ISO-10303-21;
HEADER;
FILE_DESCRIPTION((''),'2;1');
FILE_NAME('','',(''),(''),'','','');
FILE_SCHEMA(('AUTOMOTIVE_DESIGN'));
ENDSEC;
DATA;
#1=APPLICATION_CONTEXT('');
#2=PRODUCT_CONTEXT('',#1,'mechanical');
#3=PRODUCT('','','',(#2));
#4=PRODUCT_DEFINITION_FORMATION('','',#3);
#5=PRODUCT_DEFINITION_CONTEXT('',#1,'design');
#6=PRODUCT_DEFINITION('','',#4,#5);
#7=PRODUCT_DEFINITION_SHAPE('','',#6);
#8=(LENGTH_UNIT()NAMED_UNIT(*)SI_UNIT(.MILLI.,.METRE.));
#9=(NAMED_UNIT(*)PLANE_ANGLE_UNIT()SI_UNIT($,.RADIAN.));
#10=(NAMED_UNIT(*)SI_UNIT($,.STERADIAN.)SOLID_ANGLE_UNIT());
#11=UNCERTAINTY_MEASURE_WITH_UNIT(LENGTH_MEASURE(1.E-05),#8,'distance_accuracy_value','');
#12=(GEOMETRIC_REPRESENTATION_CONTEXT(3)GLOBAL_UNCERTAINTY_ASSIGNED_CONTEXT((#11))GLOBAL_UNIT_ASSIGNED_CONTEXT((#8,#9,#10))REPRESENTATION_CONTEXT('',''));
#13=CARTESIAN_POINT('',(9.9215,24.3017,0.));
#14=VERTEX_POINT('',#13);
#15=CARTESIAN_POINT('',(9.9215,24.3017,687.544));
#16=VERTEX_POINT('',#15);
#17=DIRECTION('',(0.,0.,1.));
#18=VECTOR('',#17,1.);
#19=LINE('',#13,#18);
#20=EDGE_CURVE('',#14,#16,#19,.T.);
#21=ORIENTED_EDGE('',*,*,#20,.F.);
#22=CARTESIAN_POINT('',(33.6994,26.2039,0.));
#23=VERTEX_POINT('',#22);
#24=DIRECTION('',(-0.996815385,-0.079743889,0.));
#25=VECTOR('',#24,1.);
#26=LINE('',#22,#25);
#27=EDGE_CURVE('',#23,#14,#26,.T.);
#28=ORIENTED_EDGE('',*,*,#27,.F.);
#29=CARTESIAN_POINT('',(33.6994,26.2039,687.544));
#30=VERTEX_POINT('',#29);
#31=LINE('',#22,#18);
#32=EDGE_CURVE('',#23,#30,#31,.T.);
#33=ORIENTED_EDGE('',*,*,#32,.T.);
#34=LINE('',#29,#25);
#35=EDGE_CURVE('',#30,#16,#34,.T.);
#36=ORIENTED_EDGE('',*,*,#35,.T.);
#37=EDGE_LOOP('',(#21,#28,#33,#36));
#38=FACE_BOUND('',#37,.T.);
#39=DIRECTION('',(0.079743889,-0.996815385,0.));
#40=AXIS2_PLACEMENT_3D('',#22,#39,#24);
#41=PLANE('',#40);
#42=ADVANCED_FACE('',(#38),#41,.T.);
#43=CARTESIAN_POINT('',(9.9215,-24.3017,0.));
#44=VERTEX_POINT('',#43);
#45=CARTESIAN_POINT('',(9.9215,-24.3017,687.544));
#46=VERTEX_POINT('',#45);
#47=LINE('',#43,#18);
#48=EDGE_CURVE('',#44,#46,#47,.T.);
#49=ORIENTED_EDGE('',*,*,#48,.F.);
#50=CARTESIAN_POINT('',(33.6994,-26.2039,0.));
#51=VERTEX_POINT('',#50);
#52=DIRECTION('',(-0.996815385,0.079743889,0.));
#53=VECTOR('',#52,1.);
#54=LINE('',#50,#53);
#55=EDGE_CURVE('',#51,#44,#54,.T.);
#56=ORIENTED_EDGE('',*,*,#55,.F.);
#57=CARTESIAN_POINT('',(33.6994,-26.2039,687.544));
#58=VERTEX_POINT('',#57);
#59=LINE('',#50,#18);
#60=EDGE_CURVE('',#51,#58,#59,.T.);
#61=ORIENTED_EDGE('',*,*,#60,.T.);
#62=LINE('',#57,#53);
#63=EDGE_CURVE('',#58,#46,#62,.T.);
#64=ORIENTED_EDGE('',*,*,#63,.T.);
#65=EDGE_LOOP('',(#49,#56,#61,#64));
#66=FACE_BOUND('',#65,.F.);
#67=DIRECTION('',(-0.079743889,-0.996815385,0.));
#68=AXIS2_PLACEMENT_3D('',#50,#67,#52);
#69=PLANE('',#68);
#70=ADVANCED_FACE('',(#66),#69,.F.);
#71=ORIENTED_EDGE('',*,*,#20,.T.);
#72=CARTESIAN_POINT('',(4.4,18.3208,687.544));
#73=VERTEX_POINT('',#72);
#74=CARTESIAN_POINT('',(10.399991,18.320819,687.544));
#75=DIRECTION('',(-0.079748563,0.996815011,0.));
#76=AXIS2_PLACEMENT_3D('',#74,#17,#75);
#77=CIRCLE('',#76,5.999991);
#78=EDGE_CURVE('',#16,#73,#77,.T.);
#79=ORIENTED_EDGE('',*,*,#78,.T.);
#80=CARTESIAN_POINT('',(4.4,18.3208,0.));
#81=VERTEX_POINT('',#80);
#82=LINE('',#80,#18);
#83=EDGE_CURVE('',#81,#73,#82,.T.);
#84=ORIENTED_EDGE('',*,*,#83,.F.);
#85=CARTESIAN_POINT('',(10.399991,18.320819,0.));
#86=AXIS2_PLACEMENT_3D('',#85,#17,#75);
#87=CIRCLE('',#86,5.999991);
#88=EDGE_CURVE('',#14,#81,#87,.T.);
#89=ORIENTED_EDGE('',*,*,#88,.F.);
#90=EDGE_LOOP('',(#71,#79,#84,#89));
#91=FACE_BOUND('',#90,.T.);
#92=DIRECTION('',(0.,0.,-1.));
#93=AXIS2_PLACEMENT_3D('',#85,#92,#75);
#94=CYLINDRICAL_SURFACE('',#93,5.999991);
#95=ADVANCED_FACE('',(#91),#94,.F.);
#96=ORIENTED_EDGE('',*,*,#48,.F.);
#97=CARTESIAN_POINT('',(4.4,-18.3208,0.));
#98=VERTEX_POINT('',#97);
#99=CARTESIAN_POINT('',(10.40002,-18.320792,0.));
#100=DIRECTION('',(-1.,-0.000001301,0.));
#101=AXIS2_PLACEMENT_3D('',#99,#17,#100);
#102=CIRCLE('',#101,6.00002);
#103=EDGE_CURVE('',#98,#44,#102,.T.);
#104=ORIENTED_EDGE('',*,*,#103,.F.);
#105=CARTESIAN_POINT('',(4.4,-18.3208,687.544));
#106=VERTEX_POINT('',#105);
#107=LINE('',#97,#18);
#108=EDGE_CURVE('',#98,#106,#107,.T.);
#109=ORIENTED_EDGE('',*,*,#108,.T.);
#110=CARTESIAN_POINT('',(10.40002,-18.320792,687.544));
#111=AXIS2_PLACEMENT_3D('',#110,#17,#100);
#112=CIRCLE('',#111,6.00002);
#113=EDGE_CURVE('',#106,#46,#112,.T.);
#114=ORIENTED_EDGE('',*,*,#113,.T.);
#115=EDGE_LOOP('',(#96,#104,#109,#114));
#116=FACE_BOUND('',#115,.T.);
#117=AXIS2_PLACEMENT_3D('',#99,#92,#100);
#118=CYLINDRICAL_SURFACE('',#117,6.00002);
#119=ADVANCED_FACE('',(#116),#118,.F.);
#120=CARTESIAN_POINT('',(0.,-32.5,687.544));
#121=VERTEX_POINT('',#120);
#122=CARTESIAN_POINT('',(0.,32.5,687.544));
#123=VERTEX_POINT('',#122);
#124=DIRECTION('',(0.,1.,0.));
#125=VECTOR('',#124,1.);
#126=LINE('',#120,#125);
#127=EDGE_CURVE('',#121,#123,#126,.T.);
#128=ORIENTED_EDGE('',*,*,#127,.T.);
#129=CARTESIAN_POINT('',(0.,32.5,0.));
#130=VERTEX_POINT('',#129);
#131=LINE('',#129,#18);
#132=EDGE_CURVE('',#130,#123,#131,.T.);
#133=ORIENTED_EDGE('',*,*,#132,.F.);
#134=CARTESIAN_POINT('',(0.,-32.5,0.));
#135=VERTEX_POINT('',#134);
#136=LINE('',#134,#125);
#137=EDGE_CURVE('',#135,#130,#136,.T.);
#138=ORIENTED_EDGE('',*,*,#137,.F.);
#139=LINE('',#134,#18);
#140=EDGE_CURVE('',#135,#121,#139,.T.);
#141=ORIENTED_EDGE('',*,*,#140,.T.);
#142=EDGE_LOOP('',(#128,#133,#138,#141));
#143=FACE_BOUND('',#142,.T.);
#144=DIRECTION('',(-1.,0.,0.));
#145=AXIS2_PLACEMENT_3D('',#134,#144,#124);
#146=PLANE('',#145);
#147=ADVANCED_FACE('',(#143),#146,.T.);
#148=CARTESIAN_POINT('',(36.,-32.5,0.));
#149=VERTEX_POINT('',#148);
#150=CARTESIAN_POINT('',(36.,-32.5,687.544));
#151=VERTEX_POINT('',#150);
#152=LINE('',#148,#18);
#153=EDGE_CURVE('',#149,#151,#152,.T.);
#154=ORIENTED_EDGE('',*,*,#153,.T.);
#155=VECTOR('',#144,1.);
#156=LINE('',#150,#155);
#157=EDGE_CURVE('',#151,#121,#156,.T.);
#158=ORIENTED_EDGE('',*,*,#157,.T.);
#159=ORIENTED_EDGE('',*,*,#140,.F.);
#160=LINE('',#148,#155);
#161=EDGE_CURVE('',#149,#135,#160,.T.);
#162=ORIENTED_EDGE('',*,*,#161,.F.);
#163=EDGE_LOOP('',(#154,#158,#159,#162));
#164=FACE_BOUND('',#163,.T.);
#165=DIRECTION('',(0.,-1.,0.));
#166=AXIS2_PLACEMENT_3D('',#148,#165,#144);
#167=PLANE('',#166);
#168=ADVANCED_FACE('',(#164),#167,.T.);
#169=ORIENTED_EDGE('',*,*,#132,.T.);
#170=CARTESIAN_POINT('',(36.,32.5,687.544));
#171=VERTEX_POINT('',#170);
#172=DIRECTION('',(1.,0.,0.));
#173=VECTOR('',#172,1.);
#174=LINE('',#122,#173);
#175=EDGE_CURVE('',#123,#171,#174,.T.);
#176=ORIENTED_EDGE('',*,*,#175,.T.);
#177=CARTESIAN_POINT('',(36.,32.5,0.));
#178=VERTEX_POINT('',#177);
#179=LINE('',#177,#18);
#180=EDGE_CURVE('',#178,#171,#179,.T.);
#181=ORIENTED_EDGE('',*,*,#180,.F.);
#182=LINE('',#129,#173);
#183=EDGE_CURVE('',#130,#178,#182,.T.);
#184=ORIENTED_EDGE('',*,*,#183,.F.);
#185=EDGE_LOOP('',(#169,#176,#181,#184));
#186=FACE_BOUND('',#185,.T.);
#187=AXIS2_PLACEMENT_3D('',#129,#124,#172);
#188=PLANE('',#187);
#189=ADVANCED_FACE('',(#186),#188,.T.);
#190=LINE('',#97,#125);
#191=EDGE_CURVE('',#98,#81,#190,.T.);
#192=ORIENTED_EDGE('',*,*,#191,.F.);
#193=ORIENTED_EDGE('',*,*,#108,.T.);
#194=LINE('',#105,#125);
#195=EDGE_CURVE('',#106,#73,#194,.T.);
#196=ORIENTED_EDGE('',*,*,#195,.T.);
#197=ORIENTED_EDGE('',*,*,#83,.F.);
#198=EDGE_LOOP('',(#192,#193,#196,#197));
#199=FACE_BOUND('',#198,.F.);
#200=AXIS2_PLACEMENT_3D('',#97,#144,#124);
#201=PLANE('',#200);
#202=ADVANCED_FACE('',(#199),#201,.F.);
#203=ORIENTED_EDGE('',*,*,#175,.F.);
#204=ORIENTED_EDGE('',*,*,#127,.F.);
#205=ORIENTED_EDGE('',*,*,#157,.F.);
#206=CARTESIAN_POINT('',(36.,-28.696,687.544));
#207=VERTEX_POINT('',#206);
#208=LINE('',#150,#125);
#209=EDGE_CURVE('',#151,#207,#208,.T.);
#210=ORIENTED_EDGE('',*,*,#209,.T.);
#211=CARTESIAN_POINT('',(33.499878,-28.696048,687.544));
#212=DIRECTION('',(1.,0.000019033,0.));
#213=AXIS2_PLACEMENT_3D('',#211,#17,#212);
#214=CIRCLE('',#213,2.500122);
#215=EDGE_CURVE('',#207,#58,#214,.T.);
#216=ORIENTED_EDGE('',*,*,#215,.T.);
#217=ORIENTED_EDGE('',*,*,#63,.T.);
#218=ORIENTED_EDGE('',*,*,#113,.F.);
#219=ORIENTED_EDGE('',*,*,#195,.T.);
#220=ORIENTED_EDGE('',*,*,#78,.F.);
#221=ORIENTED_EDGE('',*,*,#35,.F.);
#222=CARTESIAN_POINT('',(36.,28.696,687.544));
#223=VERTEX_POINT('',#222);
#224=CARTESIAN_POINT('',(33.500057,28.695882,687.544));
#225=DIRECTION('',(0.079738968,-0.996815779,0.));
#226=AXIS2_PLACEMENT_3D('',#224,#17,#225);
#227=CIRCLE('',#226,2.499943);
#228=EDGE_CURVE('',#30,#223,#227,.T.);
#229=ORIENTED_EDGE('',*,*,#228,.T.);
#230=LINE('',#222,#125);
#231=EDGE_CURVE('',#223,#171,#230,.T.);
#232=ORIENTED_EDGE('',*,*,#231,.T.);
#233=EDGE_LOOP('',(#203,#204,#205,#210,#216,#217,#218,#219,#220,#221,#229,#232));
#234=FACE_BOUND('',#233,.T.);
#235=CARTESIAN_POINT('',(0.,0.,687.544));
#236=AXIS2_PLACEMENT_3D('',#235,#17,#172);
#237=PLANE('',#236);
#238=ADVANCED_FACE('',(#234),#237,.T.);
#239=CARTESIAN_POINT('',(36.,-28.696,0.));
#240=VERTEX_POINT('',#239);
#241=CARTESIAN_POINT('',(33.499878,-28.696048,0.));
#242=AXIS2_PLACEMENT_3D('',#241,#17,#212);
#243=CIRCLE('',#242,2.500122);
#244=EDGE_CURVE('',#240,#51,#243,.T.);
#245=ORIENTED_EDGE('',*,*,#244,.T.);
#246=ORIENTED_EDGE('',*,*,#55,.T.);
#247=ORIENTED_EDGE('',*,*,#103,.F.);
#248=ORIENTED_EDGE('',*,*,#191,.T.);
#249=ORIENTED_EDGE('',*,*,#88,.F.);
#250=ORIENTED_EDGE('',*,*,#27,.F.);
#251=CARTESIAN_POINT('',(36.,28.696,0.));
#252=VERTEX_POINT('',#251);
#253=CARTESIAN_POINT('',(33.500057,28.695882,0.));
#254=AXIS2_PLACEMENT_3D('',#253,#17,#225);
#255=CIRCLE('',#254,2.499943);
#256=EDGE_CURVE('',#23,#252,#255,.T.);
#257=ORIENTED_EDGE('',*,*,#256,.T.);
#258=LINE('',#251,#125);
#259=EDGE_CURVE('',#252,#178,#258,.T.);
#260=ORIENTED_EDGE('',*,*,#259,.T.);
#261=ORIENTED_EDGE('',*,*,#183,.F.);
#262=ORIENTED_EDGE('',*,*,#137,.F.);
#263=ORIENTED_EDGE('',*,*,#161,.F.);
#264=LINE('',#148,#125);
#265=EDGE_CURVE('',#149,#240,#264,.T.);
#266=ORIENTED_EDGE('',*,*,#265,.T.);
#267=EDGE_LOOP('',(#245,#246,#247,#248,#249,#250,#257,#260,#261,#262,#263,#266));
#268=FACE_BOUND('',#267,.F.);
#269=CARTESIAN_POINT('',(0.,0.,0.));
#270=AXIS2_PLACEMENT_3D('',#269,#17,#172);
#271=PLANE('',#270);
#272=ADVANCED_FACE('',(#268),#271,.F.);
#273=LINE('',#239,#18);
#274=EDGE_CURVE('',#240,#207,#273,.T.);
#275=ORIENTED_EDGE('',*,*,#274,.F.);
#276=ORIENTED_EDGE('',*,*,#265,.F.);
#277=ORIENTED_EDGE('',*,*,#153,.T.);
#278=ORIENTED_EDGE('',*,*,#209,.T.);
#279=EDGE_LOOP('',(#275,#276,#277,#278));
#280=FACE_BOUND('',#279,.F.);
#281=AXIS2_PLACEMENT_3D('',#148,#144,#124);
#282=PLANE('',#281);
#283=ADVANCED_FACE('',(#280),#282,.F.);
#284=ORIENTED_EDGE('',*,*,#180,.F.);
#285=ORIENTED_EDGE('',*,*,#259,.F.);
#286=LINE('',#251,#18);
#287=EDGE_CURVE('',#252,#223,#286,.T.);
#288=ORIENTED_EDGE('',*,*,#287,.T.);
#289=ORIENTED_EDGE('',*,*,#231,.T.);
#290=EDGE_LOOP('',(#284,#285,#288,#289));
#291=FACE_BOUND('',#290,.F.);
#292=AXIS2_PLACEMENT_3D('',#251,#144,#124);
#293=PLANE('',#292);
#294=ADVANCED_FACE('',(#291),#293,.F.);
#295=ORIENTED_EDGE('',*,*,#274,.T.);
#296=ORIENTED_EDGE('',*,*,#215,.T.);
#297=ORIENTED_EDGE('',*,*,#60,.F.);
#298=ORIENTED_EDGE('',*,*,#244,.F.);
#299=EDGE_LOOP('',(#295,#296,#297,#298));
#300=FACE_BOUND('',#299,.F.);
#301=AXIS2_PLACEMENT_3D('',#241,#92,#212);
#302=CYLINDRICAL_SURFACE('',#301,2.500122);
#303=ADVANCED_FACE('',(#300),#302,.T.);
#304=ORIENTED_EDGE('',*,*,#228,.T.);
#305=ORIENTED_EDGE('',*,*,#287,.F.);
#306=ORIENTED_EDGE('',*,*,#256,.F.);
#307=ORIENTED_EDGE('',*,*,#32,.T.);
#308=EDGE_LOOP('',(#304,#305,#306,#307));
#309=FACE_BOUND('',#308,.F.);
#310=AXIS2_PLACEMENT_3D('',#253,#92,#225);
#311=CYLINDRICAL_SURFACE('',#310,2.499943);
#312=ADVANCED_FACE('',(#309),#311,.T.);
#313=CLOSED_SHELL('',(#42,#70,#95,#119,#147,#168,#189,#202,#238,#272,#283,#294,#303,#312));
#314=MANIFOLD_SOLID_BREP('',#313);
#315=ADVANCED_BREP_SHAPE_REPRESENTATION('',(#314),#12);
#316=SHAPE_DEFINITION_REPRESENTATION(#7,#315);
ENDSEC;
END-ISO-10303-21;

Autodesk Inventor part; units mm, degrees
ref_plane "YZ Plane" through (0, 0, 0) normal (1, 0, 0) x (0, 1, 0)
ref_plane "Начальная плоскость" through (0, 0, 0) normal (0, 0, 1) x (1, 0, 0)
ref_plane "Конечная плоскость" through (0, 0, 687.544) normal (0, 0, 1) x (1, 0, 0)
sketch "Эскиз" plane through (0, 0, 0) normal (0, 0, 1) x (1, 0, 0)
  line L0 (36, -32.5) -> (0, -32.5)
  line L1 (36, -32.5) -> (36, -28.696)
  line L2 (33.6994, -26.2039) -> (9.9215, -24.3017)
  line L3 (4.4, -18.3208) -> (4.4, 18.3208)
  line L4 (33.6994, 26.2039) -> (9.9215, 24.3017)
  line L5 (36, 28.696) -> (36, 32.5)
  line L6 (0, 32.5) -> (36, 32.5)
  line L7 (0, -32.5) -> (0, 32.5)
  arc A0 (4.4, -18.3208) -> (9.9215, -24.3017) centre (10.4, -18.3208) ccw
  arc A1 (9.9215, 24.3017) -> (4.4, 18.3208) centre (10.4, 18.3208) ccw
  arc A2 (36, -28.696) -> (33.6994, -26.2039) centre (33.5, -28.696) ccw
  arc A3 (33.6994, 26.2039) -> (36, 28.696) centre (33.5, 28.696) ccw
  line L8 (0, 45.5) -> (0, -45.5) construction
  line L9 (-7.2974, 0) -> (43.7847, 0) construction
  point P0 (36, -26.388)
  point P1 (4.4, -23.86)
  point P2 (4.4, 23.86)
  point P3 (36, 26.388)
  dimension "d3" = 36
  dimension "d5" = 4.4
  dimension "d7" = 65
  dimension "d9" = 8.64
  dimension "d11" = 8.64
  dimension "d13" = 6.112
  dimension "d15" = 6.112
  dimension "d22" = 6
  dimension "d23" = 2.5
  dimension "d24" = 32.5
  dimension "d25" = 0
extrude "Тело" add sketch "Эскиз" along normal up to surface (687.544 mm away) from surface at 0
sketch "Sketch3" plane through (0, 0, 0) normal (0, 0, 1) x (1, 0, 0)
  line L0 (0, 0) -> (10, 0)
ref_plane "Work Plane7" through (0, 0, 0) normal (0, -1, 0) x (1, 0, 0)
sketch "Sketch4" plane through (0, 0, 0) normal (0, -1, 0) x (1, 0, 0)
  line L0 (-2, 0) -> (12, 0)
  line L1 (-2, 687.544) -> (12, 687.544)
  dimension "d29" = 687.544
equation "\"d3\" = b"
equation "\"d5\" = t1"
equation "\"d7\" = ParH"
equation "\"d9\" = msp_x1 + t2"
equation "\"d11\" = msp_x1 + t2"
equation "\"d13\" = -msp_x2 + t2"
equation "\"d15\" = -msp_x2 + t2"
equation "\"d22\" = R"
equation "\"d23\" = R1"
equation "\"d24\" = 0.5 * d7"
equation "\"d16\" = G_L"
equation "\"R1\" = 2.5"
equation "\"R\" = 6"
equation "\"t1\" = 4.4"
equation "\"t2\" = 7.2"
equation "\"ParH\" = 65"
equation "\"b\" = 36"
equation "\"msp_x1\" = 0.04 * b"
equation "\"msp_x2\" = -0.08 * t1 + 0.04 * b"
equation "\"G_L\" = d29"
equation "\"ex\" = 0"
equation "\"G_OFFSET_START\" = 0"
equation "\"G_OFFSET_END\" = 0"
equation "\"d27\" = G_OFFSET_END + B_L"
equation "\"B_L\" = 687.544"
properties part number "Швеллер 6.5U-687,54 ГОСТ 8240-97" material "Сталь, мягкая"
